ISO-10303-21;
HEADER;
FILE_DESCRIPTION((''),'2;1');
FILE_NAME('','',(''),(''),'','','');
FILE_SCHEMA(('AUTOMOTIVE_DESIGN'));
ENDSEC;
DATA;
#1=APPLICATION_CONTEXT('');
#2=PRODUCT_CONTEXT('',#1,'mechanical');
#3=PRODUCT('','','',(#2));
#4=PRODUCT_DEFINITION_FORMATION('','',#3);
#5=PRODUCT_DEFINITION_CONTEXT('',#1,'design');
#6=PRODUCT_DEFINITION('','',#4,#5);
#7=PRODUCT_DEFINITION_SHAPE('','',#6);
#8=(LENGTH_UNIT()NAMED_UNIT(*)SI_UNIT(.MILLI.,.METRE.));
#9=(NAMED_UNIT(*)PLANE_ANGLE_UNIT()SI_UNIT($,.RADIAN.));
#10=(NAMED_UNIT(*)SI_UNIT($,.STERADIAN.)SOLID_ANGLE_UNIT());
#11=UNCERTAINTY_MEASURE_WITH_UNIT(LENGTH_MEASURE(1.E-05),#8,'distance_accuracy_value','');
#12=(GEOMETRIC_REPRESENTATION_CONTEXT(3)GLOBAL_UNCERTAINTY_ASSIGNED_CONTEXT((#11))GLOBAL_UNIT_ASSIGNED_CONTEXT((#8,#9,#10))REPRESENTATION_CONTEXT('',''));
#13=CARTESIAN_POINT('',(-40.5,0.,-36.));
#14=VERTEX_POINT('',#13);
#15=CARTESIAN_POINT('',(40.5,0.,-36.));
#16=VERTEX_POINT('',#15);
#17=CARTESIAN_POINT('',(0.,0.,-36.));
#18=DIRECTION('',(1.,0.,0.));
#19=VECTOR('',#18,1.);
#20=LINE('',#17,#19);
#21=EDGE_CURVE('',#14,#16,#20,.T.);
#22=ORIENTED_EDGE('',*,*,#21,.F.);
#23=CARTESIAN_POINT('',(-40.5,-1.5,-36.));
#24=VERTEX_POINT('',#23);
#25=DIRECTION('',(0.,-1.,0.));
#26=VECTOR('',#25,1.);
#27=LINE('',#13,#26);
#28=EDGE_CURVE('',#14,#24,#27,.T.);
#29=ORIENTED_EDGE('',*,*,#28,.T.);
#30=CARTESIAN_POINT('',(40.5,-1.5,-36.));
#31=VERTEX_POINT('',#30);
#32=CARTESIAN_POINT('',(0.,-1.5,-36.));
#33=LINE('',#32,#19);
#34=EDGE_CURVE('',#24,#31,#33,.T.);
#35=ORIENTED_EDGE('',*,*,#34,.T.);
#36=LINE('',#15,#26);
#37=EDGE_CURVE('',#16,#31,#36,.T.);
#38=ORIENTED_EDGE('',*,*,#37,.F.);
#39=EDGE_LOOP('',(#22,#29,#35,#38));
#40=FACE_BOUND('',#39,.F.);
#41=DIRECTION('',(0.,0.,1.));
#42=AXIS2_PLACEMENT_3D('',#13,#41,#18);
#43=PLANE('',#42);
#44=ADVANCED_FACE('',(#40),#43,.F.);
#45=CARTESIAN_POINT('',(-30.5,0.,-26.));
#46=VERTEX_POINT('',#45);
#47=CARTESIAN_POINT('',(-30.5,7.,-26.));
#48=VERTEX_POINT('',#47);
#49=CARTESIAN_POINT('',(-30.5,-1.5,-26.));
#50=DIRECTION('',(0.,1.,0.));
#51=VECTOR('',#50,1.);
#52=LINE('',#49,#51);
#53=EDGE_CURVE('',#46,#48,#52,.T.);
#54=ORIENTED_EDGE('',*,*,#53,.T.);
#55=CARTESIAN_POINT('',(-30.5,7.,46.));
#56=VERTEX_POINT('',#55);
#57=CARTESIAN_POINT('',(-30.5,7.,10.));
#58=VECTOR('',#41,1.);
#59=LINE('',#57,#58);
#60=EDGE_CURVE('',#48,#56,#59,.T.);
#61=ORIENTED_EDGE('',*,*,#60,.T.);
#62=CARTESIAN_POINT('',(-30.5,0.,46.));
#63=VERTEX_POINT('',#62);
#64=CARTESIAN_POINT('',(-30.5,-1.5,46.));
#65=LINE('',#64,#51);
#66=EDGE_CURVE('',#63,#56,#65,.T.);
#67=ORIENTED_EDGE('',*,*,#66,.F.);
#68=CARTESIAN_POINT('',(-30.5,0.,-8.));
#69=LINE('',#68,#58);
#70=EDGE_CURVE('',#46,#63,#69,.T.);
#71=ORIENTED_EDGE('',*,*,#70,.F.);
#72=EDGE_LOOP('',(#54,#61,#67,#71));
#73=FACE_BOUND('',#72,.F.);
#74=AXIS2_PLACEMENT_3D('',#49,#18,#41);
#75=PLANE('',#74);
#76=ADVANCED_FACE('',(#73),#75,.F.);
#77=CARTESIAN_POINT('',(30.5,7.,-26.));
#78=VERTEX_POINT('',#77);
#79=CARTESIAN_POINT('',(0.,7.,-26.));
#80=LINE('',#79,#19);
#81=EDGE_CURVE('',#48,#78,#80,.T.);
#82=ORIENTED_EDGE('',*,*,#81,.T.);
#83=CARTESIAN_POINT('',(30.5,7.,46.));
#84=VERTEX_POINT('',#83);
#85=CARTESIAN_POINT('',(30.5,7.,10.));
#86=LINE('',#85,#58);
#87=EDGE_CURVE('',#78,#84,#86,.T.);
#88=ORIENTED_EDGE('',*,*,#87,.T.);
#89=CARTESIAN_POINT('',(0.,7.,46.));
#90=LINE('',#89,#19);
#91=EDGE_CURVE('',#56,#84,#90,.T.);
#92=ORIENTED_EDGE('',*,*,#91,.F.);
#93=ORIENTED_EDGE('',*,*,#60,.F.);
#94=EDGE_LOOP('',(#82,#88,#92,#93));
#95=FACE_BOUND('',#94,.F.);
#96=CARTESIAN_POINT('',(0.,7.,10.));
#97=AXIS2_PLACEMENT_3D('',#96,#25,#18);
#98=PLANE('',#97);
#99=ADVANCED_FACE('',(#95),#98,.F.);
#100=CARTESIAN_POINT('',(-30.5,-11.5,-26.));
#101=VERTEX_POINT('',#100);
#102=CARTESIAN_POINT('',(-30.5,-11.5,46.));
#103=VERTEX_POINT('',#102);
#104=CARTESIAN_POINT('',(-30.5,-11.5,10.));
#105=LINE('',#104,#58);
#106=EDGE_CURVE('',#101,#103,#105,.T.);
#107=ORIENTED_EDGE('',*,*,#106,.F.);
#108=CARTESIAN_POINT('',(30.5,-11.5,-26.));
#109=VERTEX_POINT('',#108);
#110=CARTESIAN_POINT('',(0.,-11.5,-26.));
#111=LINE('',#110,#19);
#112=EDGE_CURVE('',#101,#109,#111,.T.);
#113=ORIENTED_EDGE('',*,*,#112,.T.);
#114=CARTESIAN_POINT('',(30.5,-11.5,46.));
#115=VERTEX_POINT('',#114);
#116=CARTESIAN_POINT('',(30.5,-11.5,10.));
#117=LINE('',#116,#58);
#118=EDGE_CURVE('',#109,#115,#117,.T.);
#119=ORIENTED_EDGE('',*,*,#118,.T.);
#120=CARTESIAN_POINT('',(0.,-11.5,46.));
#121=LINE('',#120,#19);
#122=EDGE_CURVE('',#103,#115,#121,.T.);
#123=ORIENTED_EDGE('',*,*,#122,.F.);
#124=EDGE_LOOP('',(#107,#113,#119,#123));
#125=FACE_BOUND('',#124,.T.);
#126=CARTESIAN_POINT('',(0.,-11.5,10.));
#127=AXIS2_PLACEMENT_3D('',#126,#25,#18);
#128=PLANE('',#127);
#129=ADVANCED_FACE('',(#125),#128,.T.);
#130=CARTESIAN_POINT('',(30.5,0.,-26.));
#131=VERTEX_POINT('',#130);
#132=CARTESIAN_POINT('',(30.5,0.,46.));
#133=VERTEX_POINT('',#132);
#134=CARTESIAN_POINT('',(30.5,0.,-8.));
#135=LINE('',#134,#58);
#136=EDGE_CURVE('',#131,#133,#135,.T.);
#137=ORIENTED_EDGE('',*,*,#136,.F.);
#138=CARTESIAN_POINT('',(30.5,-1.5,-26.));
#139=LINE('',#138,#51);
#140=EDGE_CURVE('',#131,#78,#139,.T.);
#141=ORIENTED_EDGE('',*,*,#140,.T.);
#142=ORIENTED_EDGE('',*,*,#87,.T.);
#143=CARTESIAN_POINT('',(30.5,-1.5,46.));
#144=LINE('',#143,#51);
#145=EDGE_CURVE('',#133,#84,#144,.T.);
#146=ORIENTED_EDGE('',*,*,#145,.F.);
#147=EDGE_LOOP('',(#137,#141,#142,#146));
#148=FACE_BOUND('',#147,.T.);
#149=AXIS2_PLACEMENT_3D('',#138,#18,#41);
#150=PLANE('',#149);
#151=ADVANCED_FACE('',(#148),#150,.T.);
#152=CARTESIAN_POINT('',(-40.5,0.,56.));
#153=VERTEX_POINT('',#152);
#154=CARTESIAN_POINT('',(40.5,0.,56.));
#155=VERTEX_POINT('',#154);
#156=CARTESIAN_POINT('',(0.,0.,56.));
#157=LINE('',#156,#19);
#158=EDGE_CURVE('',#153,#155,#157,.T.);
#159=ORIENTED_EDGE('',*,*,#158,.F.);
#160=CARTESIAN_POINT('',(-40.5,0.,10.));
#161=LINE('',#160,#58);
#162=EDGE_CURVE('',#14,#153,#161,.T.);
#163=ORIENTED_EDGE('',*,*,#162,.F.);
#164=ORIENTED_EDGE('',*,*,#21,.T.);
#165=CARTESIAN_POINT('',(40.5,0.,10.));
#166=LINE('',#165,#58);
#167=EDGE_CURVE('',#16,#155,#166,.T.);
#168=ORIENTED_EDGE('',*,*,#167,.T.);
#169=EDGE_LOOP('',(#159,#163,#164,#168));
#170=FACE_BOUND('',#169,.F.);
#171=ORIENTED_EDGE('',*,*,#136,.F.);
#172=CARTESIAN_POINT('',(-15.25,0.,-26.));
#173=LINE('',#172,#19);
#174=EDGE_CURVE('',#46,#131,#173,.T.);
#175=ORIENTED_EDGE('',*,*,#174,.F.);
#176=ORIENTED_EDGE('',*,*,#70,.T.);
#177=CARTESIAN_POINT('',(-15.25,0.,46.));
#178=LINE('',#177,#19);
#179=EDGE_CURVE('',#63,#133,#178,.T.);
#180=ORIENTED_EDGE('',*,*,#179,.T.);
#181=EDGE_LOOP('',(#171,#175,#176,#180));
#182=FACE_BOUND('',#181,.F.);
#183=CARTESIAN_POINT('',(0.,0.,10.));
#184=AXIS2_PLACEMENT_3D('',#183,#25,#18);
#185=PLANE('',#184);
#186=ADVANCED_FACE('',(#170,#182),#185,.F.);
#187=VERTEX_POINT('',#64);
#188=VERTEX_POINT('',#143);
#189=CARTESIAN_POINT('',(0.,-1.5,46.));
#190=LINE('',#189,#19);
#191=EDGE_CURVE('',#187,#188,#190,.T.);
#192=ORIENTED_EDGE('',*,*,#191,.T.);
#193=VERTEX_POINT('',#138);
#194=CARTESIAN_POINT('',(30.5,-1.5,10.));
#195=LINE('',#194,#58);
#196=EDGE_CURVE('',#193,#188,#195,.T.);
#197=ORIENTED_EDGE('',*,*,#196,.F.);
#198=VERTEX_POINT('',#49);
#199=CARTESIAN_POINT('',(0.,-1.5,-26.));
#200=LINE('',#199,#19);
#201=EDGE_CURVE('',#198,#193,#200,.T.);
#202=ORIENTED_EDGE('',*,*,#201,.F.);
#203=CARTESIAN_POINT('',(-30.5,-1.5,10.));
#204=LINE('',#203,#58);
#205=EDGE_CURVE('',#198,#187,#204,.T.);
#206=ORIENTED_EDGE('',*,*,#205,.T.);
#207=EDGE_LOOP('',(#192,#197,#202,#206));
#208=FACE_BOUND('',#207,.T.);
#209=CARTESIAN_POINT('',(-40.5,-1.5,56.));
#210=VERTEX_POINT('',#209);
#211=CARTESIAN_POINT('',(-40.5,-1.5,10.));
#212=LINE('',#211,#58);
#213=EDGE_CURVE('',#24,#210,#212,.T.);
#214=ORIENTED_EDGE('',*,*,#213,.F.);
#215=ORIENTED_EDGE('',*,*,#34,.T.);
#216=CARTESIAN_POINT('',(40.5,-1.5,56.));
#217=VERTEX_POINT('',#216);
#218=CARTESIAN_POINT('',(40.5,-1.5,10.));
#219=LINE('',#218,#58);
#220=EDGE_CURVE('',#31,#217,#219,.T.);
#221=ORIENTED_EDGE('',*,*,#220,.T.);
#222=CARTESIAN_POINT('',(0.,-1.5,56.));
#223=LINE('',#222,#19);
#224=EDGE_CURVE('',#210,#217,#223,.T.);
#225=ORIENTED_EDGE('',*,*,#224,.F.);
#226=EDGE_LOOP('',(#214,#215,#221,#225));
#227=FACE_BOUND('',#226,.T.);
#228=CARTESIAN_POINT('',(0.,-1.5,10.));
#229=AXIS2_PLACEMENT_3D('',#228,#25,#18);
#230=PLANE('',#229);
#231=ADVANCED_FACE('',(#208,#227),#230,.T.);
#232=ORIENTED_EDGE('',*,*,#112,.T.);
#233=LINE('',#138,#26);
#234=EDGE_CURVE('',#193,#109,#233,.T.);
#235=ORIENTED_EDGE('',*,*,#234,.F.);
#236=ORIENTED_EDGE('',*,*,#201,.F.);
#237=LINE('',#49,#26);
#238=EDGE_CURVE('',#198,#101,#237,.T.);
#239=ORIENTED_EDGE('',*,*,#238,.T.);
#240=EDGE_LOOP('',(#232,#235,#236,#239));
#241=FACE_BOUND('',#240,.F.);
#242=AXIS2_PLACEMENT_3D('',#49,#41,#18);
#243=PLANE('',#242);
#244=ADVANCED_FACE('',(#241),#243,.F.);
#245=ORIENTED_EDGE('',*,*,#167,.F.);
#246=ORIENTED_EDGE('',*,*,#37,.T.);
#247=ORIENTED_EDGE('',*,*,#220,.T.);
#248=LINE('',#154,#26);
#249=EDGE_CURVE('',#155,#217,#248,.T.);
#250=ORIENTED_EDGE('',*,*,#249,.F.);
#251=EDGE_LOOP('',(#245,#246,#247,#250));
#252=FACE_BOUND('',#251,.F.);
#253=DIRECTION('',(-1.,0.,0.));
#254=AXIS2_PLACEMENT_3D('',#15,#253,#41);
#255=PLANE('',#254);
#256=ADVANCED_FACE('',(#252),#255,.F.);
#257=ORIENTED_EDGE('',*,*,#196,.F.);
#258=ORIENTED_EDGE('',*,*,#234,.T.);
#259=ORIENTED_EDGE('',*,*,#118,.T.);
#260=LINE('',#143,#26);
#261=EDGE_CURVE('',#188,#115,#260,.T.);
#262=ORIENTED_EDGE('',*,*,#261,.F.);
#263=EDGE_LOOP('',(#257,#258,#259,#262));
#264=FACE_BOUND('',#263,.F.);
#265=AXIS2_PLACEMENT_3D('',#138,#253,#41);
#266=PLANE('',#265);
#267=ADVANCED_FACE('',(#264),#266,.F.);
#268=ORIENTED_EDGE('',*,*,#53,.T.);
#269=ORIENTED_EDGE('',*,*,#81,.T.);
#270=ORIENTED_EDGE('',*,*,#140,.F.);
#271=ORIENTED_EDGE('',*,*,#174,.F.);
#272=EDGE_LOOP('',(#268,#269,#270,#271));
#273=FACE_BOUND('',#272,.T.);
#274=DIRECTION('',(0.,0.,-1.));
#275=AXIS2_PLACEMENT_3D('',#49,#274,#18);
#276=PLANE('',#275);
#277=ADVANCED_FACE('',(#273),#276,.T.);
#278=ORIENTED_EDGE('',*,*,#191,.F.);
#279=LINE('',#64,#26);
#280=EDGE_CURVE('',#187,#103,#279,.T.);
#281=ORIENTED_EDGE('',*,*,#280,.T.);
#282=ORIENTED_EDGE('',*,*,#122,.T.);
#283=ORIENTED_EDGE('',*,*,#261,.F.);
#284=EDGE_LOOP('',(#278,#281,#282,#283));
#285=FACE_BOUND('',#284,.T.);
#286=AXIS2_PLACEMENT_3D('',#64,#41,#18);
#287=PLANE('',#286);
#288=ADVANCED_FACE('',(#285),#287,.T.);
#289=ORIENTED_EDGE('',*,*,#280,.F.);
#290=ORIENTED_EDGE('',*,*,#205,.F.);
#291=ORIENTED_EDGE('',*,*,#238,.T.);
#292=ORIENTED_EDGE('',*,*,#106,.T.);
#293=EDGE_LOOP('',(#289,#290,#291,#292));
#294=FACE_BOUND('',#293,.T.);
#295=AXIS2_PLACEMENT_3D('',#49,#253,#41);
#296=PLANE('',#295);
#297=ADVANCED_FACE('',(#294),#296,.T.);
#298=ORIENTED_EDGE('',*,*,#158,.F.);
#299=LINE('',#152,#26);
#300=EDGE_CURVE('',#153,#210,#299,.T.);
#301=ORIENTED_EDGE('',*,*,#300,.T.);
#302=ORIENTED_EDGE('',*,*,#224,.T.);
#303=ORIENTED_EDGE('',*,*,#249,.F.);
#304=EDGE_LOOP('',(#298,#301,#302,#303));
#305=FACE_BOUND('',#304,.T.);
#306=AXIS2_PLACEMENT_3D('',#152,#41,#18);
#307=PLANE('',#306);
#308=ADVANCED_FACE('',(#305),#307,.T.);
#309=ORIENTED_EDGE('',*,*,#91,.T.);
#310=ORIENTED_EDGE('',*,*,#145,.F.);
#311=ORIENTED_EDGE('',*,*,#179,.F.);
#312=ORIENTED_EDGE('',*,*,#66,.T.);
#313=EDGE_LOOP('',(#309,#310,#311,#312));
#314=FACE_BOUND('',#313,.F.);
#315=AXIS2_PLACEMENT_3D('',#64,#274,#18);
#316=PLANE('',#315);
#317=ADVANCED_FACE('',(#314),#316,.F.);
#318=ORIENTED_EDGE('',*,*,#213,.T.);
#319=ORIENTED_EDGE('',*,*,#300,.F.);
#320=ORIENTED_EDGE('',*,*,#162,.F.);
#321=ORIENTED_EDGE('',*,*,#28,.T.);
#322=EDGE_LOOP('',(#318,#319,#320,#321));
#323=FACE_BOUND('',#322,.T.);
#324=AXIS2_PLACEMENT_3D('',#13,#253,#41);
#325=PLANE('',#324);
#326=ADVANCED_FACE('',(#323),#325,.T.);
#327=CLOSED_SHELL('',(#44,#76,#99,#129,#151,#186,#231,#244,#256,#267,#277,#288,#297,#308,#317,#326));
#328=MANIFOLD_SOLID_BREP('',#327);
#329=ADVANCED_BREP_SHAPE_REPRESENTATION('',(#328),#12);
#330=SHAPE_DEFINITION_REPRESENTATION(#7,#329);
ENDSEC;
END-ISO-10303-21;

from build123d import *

# Parameters (mm, degrees)
F0_W          = 81
F0_H          = 92
F1_DEPTH      = 1.5
F2_W          = 61
F2_H          = 72
F3_DEPTH      = 10
F3_DEPTH_BACK = 8.5


with BuildPart() as f1:
    # F0 (on Front) → F1 (new body)
    with BuildSketch(Plane.XZ):
        with Locations((0, 10)):
            Rectangle(F0_W, F0_H)
    extrude(amount=F1_DEPTH)

    # F2 (on face) → F3 (join, two sides)
    with BuildSketch(Plane.XZ.offset(1.5)) as f3_sk:
        with Locations((0, 10)):
            Rectangle(F2_W, F2_H)
    extrude(amount=F3_DEPTH)
    extrude(f3_sk.sketch, amount=-F3_DEPTH_BACK)


solid = f1.part
